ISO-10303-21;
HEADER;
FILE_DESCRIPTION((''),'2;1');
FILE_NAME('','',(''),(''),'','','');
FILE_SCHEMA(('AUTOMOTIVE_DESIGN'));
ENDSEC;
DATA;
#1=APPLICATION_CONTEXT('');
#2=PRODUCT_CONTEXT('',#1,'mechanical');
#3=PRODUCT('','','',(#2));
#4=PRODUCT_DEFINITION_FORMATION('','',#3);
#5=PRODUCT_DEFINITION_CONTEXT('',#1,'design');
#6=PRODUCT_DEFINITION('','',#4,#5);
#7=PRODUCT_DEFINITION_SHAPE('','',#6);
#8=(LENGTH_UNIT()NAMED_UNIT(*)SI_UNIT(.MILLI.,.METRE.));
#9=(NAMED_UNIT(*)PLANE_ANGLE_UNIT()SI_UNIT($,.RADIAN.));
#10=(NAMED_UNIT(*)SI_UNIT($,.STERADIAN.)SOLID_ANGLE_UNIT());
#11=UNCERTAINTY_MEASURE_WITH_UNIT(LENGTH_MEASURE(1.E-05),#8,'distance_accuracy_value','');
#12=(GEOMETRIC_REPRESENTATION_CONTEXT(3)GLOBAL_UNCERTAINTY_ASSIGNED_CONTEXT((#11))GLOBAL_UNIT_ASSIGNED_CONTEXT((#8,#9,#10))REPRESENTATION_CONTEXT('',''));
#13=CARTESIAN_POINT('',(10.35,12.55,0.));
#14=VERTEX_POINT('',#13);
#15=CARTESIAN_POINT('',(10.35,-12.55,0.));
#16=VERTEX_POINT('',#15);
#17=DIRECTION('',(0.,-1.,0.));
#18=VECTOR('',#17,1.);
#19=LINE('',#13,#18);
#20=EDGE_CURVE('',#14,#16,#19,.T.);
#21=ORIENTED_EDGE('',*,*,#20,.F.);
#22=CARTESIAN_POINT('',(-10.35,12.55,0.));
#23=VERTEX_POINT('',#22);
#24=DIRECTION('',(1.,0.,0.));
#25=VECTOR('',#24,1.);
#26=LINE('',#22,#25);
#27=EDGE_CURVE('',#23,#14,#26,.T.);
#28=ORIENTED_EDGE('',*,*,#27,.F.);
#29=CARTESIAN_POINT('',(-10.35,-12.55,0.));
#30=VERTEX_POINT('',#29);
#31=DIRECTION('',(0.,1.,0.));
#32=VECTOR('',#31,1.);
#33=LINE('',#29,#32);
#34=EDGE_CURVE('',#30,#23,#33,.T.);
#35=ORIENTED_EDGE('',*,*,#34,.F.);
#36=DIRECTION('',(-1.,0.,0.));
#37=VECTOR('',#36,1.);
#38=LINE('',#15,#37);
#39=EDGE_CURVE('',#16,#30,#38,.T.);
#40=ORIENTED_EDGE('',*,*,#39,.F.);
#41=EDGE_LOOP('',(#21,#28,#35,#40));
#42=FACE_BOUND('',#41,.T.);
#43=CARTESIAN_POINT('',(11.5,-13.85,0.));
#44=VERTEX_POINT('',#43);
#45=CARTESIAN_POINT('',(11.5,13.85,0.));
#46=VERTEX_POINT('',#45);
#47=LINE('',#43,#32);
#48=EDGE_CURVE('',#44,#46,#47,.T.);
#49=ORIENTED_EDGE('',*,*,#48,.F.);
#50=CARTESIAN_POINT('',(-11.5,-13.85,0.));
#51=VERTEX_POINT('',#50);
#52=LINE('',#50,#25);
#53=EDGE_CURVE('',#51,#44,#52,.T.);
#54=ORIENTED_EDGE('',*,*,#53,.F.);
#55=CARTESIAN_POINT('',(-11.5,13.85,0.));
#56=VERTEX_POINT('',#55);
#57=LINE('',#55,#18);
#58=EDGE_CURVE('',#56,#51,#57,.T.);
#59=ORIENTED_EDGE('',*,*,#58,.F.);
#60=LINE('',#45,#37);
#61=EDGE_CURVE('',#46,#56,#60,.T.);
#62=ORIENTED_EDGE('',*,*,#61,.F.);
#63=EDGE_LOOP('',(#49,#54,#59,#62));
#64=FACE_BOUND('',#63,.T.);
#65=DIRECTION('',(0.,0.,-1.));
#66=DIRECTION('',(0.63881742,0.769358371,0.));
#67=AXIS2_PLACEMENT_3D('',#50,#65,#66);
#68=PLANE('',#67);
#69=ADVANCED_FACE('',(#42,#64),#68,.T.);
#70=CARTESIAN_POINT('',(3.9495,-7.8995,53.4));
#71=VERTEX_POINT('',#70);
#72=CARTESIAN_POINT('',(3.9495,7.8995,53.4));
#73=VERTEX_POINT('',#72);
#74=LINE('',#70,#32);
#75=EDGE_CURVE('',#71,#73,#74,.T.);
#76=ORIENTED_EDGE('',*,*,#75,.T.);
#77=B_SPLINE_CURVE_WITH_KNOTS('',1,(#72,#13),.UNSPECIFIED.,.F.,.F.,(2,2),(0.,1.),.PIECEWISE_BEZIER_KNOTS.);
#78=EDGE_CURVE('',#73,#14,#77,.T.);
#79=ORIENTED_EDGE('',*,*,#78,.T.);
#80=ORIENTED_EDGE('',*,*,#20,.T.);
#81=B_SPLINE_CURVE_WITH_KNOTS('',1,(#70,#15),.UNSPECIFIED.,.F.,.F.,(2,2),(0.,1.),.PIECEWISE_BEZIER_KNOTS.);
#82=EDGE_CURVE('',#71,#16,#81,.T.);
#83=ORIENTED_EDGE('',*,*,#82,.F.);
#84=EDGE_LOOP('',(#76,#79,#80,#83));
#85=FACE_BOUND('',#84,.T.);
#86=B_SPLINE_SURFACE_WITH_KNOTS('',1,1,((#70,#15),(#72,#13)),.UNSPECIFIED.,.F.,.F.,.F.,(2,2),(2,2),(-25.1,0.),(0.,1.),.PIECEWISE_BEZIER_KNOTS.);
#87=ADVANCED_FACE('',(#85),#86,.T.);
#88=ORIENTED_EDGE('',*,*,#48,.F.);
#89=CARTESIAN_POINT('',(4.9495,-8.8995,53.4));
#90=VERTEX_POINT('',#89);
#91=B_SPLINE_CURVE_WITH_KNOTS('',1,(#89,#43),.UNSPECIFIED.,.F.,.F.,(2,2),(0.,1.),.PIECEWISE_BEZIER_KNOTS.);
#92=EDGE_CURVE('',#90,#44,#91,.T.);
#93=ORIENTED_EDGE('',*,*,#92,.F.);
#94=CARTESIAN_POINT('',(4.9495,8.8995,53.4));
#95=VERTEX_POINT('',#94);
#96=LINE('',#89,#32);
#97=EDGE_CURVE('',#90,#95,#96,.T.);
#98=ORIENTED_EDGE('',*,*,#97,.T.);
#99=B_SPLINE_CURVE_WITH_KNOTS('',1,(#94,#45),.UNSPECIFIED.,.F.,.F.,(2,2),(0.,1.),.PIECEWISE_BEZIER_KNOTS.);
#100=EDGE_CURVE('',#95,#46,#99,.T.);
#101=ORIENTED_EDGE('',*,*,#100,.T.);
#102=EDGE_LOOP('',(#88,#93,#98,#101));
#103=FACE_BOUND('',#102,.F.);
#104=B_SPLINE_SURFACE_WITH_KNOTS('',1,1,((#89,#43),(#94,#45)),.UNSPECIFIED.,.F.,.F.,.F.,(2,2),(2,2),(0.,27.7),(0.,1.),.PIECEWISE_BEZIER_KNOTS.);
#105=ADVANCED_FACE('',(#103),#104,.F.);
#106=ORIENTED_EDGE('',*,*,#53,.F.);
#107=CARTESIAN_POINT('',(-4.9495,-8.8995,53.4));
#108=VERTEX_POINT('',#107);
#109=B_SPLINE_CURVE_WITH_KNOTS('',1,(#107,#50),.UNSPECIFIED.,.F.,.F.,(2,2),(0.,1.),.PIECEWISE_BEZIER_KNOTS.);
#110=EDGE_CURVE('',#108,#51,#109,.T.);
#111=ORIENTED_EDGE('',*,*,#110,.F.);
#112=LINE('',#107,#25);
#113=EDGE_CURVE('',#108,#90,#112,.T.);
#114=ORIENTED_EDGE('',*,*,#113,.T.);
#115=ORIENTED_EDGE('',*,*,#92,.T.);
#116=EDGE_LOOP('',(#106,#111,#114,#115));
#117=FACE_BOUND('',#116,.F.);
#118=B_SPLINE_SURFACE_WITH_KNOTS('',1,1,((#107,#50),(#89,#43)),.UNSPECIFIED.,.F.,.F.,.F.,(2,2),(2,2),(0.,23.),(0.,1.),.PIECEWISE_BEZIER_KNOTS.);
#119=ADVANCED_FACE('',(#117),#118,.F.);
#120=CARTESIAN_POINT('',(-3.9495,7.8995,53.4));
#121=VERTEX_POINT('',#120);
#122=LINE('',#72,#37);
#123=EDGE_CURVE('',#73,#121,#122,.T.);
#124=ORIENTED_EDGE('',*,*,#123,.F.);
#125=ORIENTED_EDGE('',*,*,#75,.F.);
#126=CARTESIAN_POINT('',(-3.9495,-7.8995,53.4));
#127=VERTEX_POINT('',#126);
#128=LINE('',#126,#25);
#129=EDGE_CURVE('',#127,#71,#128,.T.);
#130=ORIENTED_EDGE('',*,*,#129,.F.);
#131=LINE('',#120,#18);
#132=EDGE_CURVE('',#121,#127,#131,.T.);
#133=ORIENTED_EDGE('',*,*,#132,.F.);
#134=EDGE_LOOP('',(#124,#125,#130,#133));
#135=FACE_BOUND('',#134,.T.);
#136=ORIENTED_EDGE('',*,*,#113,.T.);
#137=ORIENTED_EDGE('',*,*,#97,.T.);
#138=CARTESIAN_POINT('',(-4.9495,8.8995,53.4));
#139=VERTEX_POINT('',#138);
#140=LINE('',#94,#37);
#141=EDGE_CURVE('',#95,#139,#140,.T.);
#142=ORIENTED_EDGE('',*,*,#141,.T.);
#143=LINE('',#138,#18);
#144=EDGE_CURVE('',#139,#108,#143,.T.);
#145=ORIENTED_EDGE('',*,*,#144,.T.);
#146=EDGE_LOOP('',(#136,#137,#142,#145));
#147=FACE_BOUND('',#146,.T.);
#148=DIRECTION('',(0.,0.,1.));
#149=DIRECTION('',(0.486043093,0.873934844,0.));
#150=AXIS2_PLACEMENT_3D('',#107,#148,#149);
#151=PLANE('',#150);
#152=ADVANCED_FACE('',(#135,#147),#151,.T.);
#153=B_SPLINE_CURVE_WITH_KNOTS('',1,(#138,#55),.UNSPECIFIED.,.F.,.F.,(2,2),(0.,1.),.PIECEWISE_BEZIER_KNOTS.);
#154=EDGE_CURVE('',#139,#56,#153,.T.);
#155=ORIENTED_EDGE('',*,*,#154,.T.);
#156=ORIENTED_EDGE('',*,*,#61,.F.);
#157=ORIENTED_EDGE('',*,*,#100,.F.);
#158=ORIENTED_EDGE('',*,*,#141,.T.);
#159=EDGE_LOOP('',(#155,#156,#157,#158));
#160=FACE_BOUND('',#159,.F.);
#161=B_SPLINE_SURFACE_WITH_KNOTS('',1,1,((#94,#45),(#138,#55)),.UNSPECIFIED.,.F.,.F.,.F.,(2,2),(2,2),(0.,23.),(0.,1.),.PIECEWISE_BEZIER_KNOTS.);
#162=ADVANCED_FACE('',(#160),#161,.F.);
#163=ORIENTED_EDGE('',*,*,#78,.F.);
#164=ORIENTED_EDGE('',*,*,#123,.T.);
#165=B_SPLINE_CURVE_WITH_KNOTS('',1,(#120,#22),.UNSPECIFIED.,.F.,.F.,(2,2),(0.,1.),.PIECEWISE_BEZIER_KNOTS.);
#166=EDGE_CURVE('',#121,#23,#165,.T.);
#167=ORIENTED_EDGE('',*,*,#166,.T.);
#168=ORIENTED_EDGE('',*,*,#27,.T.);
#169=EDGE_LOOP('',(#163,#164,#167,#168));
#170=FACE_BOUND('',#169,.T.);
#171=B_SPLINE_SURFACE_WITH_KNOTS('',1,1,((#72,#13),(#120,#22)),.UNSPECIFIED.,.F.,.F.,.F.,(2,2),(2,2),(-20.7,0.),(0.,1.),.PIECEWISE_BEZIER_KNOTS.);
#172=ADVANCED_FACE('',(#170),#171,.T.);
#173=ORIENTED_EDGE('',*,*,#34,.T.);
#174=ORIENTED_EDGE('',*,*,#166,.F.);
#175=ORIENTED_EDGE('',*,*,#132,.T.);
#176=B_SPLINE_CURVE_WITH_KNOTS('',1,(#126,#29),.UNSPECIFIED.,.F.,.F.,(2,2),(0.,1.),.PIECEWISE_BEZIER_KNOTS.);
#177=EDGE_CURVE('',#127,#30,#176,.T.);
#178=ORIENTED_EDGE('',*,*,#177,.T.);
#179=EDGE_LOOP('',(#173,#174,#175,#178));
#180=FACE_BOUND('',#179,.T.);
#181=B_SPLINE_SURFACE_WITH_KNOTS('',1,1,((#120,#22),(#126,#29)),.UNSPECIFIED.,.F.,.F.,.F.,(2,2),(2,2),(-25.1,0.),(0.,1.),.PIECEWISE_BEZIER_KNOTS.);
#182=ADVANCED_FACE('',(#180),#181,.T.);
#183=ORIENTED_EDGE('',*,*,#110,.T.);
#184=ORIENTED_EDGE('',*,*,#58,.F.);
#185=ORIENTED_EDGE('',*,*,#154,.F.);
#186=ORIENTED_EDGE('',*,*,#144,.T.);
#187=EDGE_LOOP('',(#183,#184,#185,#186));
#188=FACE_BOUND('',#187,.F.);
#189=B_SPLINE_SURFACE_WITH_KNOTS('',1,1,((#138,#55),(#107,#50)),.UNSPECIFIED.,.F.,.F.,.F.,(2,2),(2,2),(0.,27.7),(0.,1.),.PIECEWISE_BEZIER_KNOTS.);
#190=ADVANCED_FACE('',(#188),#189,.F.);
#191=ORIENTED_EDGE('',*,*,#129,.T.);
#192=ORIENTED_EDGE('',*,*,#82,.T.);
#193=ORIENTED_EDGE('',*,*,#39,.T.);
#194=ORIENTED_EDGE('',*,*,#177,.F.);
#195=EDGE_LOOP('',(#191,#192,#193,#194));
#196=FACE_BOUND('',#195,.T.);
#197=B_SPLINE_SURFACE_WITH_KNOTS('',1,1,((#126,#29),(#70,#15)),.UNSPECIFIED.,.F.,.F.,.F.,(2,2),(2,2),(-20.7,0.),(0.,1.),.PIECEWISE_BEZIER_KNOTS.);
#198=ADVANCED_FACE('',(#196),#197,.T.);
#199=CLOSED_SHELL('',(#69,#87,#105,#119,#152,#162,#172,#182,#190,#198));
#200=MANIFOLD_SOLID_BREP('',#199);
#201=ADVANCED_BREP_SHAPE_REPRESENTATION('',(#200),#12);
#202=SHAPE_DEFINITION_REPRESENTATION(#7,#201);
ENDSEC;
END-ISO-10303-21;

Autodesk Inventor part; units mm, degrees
ref_plane "YZ Plane" through (0, 0, 0) normal (1, 0, 0) x (0, 1, 0)
ref_plane "XZ Plane" through (0, 0, 0) normal (0, 1, 0) x (-1, 0, 0)
ref_plane "XY Plane" through (0, 0, 0) normal (0, 0, 1) x (1, 0, 0)
sketch "Sketch1" plane through (0, 0, 0) normal (0, 0, 1) x (1, 0, 0)
  line L0 (-11.5, -13.85) -> (11.5, -13.85)
  line L1 (11.5, -13.85) -> (11.5, 13.85)
  line L2 (11.5, 13.85) -> (-11.5, 13.85)
  line L3 (-11.5, 13.85) -> (-11.5, -13.85)
  line L4 (-11.5, -13.85) -> (11.5, 13.85) construction
  line L5 (11.5, -13.85) -> (-11.5, 13.85) construction
  point P0 (0, 0)
  dimension "d0" = 23
  dimension "d1" = 27.7
ref_plane "Work Plane2" through (11.5, -13.85, 53.4) normal (0, 0, 1) x (0, 1, 0)
ref_plane "Work Plane1" through (11.5, -13.85, 0) normal (0, 0, 1) x (0, 1, 0)
sketch "Sketch2" plane through (11.5, -13.85, 53.4) normal (0, 0, 1) x (0, 1, 0)
  line L0 (4.9505, 6.5505) -> (22.7495, 6.5505)
  line L1 (22.7495, 6.5505) -> (22.7495, 16.4495)
  line L2 (22.7495, 16.4495) -> (4.9505, 16.4495)
  line L3 (4.9505, 16.4495) -> (4.9505, 6.5505)
  line L4 (4.9505, 6.5505) -> (22.7495, 16.4495) construction
  line L5 (22.7495, 6.5505) -> (4.9505, 16.4495) construction
  point P0 (13.85, 11.5)
  dimension "d3" = 17.799
  dimension "d4" = 9.899
loft "Loft1" add profiles "Sketch2", "Sketch1"
sketch "Sketch4" plane through (11.5, -13.85, 0) normal (0, 0, -1) x (-1, 0, 0)
  line L0 (1.15, 1.3) -> (21.85, 1.3)
  line L1 (21.85, 1.3) -> (21.85, 26.4)
  line L2 (21.85, 26.4) -> (1.15, 26.4)
  line L3 (1.15, 26.4) -> (1.15, 1.3)
  line L4 (1.15, 1.3) -> (21.85, 26.4) construction
  line L5 (21.85, 1.3) -> (1.15, 26.4) construction
  point P0 (11.5, 13.85)
  dimension "d9" = 20.7
  dimension "d10" = 25.1
sketch "Sketch5" plane through (-4.9495, 8.8995, 53.4) normal (0, 0, 1) x (1, 0, 0)
  line L0 (1, -16.799) -> (8.899, -16.799)
  line L1 (8.899, -16.799) -> (8.899, -1)
  line L2 (8.899, -1) -> (1, -1)
  line L3 (1, -1) -> (1, -16.799)
  line L4 (1, -16.799) -> (8.899, -1) construction
  line L5 (8.899, -16.799) -> (1, -1) construction
  point P0 (4.9495, -8.8995)
  dimension "d11" = 7.899
  dimension "d12" = 15.799
loft "Loft2" cut profiles "Sketch5", "Sketch4"
properties part number "NewHorn" material "Copper"
